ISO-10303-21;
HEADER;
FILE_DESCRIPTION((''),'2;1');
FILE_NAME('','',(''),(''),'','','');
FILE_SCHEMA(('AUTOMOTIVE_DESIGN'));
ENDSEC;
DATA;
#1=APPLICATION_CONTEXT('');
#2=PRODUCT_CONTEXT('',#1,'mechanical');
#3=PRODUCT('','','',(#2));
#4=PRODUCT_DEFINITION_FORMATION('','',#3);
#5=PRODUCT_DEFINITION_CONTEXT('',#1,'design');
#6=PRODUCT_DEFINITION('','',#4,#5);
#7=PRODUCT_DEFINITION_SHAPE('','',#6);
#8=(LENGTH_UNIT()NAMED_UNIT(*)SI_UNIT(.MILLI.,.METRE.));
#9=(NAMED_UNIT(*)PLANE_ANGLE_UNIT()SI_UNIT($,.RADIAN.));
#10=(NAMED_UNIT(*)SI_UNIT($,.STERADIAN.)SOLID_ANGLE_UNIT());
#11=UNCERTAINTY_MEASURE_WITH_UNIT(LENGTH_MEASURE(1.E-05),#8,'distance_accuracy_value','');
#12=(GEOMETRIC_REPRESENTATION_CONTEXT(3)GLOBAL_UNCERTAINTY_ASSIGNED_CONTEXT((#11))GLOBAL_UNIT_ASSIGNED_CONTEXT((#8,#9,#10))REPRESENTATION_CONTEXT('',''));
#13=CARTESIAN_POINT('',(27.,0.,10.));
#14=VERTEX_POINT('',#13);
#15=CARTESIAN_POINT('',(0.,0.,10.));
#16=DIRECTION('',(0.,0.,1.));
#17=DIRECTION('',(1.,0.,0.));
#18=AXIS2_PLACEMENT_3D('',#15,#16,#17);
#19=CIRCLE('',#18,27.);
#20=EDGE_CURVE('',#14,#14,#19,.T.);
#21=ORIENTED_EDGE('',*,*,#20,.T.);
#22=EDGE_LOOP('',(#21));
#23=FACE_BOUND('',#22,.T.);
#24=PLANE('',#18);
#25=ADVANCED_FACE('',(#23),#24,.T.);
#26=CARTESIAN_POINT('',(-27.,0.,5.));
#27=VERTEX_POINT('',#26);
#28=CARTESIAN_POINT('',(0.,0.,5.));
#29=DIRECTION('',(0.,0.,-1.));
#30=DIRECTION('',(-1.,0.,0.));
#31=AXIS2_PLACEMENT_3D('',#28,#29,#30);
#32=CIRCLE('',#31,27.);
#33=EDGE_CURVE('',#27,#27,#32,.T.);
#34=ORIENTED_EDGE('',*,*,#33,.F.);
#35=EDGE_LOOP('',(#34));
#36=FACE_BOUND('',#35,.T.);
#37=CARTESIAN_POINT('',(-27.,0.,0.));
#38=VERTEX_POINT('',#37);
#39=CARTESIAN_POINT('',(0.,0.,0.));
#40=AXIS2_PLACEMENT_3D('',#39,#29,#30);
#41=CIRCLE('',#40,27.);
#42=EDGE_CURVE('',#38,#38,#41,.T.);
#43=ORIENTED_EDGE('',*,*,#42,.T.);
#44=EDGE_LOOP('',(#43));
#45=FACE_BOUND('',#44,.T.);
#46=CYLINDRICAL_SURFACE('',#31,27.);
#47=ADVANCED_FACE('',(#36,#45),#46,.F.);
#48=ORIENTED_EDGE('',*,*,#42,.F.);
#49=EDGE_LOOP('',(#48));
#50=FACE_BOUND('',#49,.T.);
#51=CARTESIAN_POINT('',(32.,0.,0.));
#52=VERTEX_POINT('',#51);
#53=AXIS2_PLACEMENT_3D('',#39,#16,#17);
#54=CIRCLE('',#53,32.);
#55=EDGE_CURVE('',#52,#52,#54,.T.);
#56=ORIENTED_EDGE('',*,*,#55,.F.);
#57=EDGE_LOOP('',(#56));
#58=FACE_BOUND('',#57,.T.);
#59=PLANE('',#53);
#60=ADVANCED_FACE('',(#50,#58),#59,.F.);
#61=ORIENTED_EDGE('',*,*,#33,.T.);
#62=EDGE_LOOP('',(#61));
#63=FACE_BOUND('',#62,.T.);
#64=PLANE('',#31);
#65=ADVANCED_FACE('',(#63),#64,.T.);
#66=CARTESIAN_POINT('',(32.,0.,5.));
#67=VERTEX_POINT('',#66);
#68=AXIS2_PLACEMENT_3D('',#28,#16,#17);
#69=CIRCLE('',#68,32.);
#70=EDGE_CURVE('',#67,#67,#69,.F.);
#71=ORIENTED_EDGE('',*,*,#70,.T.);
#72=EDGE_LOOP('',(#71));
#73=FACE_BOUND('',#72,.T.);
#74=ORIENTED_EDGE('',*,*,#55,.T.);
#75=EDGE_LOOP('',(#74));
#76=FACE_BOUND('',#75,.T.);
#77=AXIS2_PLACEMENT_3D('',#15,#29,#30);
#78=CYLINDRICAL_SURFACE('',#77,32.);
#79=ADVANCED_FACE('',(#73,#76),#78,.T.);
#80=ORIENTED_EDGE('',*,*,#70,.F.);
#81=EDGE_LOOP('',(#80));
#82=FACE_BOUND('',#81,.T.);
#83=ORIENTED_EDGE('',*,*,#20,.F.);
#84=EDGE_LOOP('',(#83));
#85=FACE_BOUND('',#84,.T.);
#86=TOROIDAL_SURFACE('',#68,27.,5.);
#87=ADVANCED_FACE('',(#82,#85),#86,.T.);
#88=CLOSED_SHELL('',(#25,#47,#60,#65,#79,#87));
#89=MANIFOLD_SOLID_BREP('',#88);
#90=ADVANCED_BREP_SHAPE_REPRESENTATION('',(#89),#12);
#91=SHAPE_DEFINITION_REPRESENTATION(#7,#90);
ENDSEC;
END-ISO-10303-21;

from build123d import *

# Parameters (mm, degrees)
ESBO_O1_R                = 32
RESSALTO_EXTRUS_O1_DEPTH = 10
FILETE1_R                = 5
ESBO_O2_R                = 27
CORTE_EXTRUS_O1_DEPTH    = 5


with BuildPart() as part:
    # Esboço1 → Ressalto-extrusão1 (new body)
    with BuildSketch(Plane.XY):
        Circle(ESBO_O1_R)
    extrude(amount=RESSALTO_EXTRUS_O1_DEPTH)

    # Filete1
    filete1_edges = [part.edges().sort_by_distance(p)[0] for p in [
        (-32, 0, 10),
    ]]
    fillet(filete1_edges, radius=FILETE1_R)

    # Esboço2 → Corte-extrusão1 (cut)
    with BuildSketch(Plane(origin=(0, 0, 0), x_dir=(-1, 0, 0), z_dir=(0, 0, -1))):
        Circle(ESBO_O2_R)
    extrude(amount=-CORTE_EXTRUS_O1_DEPTH, mode=Mode.SUBTRACT)


solid = part.part
